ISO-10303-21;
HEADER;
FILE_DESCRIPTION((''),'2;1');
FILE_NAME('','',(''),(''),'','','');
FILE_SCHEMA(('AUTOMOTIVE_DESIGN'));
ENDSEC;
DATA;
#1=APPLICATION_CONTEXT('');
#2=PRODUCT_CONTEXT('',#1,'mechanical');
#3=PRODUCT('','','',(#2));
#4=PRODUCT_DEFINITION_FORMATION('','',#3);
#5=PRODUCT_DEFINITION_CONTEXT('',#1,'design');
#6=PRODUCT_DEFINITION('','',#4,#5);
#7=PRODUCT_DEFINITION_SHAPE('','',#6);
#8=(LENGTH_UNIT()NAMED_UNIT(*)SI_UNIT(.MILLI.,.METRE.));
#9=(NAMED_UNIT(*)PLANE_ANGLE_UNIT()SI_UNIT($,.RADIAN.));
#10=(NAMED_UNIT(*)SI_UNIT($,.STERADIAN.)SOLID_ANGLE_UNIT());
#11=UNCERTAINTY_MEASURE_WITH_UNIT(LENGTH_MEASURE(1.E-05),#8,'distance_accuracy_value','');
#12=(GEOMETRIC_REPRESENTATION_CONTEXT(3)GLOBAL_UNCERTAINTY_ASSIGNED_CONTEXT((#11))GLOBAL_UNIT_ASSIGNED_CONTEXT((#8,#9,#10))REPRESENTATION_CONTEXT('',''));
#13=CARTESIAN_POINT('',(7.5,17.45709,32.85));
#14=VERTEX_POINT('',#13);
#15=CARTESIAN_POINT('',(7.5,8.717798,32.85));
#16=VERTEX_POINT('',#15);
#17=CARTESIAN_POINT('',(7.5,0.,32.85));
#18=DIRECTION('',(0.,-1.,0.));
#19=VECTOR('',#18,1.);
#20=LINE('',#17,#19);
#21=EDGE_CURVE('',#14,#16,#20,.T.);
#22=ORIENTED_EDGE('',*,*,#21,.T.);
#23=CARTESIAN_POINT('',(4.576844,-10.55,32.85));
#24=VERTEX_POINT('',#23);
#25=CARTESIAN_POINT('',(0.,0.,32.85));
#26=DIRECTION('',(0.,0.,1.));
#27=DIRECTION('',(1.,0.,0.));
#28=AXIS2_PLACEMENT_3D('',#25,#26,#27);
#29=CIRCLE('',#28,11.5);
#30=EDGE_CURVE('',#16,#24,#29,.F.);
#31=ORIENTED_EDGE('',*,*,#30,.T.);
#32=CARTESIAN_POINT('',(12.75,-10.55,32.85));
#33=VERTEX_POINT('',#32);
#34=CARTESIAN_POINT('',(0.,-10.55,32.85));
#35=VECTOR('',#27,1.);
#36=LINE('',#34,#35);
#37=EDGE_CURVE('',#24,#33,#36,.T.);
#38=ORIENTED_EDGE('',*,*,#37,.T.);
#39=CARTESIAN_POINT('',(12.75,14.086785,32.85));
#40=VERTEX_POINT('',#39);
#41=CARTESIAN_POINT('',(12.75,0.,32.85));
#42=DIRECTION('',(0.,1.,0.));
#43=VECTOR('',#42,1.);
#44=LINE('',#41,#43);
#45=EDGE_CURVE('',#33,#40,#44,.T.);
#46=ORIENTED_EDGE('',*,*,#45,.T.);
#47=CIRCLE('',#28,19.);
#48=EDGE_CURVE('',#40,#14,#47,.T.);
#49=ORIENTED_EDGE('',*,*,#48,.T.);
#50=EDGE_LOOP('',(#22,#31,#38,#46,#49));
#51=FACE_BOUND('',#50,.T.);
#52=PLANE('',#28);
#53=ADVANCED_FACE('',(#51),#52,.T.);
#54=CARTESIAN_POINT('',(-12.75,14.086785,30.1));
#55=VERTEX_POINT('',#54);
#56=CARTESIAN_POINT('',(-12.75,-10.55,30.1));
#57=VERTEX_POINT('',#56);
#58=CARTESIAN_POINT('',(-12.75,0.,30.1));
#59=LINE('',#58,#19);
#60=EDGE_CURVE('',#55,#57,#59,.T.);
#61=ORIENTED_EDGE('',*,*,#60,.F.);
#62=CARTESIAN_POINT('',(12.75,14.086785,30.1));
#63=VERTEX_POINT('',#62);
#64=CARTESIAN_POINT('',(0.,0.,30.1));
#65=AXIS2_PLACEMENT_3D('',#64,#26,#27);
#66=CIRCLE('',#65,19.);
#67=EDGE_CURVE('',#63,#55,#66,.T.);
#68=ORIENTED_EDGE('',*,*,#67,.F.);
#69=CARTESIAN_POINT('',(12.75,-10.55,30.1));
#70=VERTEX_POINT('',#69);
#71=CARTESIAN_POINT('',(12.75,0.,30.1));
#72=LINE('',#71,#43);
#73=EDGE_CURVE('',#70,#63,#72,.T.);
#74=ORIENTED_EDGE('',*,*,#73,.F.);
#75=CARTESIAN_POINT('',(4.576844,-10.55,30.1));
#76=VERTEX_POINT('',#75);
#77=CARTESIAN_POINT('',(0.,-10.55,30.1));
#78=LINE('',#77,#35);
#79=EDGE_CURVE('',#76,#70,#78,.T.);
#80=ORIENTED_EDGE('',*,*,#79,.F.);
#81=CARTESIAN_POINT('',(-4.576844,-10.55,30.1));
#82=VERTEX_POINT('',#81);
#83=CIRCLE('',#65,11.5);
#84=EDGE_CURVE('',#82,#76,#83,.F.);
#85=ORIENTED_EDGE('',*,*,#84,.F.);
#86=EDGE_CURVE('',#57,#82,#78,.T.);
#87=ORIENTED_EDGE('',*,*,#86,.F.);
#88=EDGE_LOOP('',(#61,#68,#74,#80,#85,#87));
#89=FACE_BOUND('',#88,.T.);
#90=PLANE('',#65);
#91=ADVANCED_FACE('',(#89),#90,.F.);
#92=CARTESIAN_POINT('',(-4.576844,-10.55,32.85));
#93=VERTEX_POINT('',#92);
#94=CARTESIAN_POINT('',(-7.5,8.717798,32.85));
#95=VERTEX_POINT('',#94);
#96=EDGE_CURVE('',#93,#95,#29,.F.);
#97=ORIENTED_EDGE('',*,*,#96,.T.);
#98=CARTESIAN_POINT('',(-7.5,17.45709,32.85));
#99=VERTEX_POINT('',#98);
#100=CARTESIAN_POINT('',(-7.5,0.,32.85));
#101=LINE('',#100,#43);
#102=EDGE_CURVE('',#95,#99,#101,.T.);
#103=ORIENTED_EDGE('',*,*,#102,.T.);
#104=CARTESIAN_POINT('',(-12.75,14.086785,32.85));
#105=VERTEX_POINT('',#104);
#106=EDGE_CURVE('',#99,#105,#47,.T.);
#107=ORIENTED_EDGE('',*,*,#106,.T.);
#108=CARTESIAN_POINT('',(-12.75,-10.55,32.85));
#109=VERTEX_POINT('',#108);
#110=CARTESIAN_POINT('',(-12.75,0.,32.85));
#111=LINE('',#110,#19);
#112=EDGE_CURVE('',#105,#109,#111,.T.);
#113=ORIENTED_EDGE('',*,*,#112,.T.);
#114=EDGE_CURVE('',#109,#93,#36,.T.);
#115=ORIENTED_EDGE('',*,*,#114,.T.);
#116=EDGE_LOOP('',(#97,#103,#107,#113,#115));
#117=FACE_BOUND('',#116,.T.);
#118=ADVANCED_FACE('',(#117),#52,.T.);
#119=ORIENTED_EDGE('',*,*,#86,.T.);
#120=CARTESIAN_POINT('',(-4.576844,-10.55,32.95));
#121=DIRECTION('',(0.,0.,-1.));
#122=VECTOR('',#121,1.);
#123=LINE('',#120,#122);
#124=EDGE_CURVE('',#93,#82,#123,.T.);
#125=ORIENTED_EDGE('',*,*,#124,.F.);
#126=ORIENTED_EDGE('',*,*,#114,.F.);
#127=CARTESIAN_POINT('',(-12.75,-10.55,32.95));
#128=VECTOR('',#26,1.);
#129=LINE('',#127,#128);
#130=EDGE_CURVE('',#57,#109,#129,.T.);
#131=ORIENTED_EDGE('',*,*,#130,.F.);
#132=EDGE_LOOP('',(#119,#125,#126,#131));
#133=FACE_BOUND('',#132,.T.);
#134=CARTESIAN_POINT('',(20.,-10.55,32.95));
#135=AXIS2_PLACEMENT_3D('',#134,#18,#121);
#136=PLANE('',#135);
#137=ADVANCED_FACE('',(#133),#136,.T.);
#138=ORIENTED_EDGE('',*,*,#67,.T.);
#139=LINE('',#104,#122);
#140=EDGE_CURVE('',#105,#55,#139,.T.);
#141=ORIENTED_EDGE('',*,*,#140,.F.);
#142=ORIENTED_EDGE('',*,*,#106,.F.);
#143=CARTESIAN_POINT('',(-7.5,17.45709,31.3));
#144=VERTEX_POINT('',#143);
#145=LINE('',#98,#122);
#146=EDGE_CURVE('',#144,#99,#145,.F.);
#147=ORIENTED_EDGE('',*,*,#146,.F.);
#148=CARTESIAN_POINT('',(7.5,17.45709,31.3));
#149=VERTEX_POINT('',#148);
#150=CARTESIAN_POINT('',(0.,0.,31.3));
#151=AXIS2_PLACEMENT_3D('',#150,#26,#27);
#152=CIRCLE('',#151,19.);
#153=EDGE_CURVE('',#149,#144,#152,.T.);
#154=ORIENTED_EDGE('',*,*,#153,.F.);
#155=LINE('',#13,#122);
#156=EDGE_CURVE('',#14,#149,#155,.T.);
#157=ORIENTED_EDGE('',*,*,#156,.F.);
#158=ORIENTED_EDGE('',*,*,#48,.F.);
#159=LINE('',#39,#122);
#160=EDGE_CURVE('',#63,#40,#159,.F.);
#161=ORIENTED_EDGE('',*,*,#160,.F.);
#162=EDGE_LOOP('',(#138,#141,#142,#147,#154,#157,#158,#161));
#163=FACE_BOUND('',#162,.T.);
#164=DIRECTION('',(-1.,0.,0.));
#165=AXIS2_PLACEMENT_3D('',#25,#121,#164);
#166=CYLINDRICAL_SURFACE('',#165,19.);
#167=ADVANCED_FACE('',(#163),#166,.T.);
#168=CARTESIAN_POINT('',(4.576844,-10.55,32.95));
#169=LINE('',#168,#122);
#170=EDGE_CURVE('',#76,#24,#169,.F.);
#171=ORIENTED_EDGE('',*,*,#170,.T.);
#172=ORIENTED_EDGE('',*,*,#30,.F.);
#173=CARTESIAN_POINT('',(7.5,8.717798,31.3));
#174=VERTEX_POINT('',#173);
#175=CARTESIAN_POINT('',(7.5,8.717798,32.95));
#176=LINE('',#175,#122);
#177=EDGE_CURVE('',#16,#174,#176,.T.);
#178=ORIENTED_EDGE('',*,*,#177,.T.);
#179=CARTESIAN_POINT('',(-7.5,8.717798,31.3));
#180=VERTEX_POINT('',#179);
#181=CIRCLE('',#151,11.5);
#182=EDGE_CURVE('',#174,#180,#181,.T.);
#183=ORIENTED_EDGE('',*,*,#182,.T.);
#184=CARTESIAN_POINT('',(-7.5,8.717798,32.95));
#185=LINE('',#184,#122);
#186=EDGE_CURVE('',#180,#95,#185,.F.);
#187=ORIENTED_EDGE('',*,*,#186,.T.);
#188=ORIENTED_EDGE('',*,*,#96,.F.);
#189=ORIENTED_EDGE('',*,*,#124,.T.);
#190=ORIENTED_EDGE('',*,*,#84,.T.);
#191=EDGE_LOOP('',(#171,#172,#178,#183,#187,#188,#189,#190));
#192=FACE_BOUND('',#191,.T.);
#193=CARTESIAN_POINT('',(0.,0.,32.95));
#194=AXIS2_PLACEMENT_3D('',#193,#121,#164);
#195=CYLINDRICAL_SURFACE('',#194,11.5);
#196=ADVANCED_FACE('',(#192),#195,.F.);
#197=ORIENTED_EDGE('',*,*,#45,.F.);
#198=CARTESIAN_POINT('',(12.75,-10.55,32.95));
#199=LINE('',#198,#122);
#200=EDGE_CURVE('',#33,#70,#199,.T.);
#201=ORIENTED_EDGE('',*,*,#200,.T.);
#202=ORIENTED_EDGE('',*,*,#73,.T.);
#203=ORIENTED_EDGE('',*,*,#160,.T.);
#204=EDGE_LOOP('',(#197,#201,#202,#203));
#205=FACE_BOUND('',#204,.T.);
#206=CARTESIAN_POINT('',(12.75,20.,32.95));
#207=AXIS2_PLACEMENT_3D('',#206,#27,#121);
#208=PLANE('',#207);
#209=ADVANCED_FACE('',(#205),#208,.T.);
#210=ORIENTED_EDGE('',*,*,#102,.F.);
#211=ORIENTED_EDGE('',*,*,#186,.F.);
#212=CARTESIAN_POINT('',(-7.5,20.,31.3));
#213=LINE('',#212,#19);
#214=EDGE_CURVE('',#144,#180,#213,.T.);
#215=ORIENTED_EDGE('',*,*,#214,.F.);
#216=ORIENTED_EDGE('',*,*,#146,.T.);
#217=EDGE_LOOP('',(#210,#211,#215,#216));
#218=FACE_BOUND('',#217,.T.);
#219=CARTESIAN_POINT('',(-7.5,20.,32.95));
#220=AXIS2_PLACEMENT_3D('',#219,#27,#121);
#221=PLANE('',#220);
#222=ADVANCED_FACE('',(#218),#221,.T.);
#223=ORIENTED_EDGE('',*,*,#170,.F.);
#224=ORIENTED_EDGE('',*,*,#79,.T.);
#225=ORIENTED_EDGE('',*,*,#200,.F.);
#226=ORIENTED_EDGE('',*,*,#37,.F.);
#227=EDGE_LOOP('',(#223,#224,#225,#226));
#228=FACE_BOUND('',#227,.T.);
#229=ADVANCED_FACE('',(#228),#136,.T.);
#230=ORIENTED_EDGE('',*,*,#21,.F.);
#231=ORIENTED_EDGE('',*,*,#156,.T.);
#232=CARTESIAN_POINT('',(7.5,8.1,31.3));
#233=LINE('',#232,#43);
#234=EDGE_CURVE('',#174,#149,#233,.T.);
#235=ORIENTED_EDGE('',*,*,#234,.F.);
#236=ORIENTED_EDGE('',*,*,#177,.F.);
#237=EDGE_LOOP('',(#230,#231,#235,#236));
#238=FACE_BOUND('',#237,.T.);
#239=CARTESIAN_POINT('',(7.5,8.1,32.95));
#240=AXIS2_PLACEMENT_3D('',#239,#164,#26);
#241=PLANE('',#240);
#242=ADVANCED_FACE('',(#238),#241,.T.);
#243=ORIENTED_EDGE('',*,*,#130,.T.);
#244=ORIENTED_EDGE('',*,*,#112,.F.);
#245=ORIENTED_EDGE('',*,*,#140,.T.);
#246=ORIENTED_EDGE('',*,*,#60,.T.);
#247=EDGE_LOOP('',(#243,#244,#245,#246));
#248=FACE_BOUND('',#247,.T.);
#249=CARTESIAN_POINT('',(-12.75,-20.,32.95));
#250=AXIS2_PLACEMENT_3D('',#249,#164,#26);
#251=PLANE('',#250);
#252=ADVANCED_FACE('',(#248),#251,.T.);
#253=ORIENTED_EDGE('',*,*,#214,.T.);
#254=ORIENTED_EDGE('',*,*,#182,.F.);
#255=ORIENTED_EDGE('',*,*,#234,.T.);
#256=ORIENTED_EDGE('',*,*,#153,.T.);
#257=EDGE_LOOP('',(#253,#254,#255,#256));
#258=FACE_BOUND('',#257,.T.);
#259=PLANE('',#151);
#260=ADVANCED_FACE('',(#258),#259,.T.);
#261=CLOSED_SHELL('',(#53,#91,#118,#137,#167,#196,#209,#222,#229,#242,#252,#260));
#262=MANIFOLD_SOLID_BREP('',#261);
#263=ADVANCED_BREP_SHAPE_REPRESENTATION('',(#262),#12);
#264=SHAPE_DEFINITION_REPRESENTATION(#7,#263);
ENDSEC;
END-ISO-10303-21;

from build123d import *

# Parameters (mm, degrees)
S_CYL1_R       = 19
BOSS_1_DEPTH   = 2.75
S_HOLE2_R      = 11.5
HOLE_2_DEPTH   = 2.95
S_CUT3_W       = 7.25
S_CUT3_H       = 40
POCKET_3_DEPTH = 2.95
S_CUT4_W       = 7.25
S_CUT4_H       = 40
POCKET_4_DEPTH = 2.95
S_CUT5_W       = 40
S_CUT5_H       = 9.45
POCKET_5_DEPTH = 2.95
S_CUT6_W       = 15
S_CUT6_H       = 11.9
POCKET_6_DEPTH = 1.65


with BuildPart() as part:
    # S_cyl1 → Boss_1 (new body)
    with BuildSketch(Plane.XY.offset(30.1)):
        Circle(S_CYL1_R)
    extrude(amount=BOSS_1_DEPTH)

    # S_hole2 → Hole_2 (cut)
    with BuildSketch(Plane.XY.offset(30)):
        with Locations(Location((0, 0, 0), (0, 0, 180))):
            Circle(S_HOLE2_R)
    extrude(amount=HOLE_2_DEPTH, mode=Mode.SUBTRACT)

    # S_cut3 → Pocket_3 (cut)
    with BuildSketch(Plane.XY.offset(30)):
        with Locations((16.375, 0)):
            Rectangle(S_CUT3_W, S_CUT3_H)
    extrude(amount=POCKET_3_DEPTH, mode=Mode.SUBTRACT)

    # S_cut4 → Pocket_4 (cut)
    with BuildSketch(Plane.XY.offset(30)):
        with Locations((-16.375, 0)):
            Rectangle(S_CUT4_W, S_CUT4_H)
    extrude(amount=POCKET_4_DEPTH, mode=Mode.SUBTRACT)

    # S_cut5 → Pocket_5 (cut)
    with BuildSketch(Plane.XY.offset(30)):
        with Locations((0, -15.275)):
            Rectangle(S_CUT5_W, S_CUT5_H)
    extrude(amount=POCKET_5_DEPTH, mode=Mode.SUBTRACT)

    # S_cut6 → Pocket_6 (cut)
    with BuildSketch(Plane.XY.offset(31.3)):
        with Locations((0, 14.05)):
            Rectangle(S_CUT6_W, S_CUT6_H)
    extrude(amount=POCKET_6_DEPTH, mode=Mode.SUBTRACT)


solid = part.part
